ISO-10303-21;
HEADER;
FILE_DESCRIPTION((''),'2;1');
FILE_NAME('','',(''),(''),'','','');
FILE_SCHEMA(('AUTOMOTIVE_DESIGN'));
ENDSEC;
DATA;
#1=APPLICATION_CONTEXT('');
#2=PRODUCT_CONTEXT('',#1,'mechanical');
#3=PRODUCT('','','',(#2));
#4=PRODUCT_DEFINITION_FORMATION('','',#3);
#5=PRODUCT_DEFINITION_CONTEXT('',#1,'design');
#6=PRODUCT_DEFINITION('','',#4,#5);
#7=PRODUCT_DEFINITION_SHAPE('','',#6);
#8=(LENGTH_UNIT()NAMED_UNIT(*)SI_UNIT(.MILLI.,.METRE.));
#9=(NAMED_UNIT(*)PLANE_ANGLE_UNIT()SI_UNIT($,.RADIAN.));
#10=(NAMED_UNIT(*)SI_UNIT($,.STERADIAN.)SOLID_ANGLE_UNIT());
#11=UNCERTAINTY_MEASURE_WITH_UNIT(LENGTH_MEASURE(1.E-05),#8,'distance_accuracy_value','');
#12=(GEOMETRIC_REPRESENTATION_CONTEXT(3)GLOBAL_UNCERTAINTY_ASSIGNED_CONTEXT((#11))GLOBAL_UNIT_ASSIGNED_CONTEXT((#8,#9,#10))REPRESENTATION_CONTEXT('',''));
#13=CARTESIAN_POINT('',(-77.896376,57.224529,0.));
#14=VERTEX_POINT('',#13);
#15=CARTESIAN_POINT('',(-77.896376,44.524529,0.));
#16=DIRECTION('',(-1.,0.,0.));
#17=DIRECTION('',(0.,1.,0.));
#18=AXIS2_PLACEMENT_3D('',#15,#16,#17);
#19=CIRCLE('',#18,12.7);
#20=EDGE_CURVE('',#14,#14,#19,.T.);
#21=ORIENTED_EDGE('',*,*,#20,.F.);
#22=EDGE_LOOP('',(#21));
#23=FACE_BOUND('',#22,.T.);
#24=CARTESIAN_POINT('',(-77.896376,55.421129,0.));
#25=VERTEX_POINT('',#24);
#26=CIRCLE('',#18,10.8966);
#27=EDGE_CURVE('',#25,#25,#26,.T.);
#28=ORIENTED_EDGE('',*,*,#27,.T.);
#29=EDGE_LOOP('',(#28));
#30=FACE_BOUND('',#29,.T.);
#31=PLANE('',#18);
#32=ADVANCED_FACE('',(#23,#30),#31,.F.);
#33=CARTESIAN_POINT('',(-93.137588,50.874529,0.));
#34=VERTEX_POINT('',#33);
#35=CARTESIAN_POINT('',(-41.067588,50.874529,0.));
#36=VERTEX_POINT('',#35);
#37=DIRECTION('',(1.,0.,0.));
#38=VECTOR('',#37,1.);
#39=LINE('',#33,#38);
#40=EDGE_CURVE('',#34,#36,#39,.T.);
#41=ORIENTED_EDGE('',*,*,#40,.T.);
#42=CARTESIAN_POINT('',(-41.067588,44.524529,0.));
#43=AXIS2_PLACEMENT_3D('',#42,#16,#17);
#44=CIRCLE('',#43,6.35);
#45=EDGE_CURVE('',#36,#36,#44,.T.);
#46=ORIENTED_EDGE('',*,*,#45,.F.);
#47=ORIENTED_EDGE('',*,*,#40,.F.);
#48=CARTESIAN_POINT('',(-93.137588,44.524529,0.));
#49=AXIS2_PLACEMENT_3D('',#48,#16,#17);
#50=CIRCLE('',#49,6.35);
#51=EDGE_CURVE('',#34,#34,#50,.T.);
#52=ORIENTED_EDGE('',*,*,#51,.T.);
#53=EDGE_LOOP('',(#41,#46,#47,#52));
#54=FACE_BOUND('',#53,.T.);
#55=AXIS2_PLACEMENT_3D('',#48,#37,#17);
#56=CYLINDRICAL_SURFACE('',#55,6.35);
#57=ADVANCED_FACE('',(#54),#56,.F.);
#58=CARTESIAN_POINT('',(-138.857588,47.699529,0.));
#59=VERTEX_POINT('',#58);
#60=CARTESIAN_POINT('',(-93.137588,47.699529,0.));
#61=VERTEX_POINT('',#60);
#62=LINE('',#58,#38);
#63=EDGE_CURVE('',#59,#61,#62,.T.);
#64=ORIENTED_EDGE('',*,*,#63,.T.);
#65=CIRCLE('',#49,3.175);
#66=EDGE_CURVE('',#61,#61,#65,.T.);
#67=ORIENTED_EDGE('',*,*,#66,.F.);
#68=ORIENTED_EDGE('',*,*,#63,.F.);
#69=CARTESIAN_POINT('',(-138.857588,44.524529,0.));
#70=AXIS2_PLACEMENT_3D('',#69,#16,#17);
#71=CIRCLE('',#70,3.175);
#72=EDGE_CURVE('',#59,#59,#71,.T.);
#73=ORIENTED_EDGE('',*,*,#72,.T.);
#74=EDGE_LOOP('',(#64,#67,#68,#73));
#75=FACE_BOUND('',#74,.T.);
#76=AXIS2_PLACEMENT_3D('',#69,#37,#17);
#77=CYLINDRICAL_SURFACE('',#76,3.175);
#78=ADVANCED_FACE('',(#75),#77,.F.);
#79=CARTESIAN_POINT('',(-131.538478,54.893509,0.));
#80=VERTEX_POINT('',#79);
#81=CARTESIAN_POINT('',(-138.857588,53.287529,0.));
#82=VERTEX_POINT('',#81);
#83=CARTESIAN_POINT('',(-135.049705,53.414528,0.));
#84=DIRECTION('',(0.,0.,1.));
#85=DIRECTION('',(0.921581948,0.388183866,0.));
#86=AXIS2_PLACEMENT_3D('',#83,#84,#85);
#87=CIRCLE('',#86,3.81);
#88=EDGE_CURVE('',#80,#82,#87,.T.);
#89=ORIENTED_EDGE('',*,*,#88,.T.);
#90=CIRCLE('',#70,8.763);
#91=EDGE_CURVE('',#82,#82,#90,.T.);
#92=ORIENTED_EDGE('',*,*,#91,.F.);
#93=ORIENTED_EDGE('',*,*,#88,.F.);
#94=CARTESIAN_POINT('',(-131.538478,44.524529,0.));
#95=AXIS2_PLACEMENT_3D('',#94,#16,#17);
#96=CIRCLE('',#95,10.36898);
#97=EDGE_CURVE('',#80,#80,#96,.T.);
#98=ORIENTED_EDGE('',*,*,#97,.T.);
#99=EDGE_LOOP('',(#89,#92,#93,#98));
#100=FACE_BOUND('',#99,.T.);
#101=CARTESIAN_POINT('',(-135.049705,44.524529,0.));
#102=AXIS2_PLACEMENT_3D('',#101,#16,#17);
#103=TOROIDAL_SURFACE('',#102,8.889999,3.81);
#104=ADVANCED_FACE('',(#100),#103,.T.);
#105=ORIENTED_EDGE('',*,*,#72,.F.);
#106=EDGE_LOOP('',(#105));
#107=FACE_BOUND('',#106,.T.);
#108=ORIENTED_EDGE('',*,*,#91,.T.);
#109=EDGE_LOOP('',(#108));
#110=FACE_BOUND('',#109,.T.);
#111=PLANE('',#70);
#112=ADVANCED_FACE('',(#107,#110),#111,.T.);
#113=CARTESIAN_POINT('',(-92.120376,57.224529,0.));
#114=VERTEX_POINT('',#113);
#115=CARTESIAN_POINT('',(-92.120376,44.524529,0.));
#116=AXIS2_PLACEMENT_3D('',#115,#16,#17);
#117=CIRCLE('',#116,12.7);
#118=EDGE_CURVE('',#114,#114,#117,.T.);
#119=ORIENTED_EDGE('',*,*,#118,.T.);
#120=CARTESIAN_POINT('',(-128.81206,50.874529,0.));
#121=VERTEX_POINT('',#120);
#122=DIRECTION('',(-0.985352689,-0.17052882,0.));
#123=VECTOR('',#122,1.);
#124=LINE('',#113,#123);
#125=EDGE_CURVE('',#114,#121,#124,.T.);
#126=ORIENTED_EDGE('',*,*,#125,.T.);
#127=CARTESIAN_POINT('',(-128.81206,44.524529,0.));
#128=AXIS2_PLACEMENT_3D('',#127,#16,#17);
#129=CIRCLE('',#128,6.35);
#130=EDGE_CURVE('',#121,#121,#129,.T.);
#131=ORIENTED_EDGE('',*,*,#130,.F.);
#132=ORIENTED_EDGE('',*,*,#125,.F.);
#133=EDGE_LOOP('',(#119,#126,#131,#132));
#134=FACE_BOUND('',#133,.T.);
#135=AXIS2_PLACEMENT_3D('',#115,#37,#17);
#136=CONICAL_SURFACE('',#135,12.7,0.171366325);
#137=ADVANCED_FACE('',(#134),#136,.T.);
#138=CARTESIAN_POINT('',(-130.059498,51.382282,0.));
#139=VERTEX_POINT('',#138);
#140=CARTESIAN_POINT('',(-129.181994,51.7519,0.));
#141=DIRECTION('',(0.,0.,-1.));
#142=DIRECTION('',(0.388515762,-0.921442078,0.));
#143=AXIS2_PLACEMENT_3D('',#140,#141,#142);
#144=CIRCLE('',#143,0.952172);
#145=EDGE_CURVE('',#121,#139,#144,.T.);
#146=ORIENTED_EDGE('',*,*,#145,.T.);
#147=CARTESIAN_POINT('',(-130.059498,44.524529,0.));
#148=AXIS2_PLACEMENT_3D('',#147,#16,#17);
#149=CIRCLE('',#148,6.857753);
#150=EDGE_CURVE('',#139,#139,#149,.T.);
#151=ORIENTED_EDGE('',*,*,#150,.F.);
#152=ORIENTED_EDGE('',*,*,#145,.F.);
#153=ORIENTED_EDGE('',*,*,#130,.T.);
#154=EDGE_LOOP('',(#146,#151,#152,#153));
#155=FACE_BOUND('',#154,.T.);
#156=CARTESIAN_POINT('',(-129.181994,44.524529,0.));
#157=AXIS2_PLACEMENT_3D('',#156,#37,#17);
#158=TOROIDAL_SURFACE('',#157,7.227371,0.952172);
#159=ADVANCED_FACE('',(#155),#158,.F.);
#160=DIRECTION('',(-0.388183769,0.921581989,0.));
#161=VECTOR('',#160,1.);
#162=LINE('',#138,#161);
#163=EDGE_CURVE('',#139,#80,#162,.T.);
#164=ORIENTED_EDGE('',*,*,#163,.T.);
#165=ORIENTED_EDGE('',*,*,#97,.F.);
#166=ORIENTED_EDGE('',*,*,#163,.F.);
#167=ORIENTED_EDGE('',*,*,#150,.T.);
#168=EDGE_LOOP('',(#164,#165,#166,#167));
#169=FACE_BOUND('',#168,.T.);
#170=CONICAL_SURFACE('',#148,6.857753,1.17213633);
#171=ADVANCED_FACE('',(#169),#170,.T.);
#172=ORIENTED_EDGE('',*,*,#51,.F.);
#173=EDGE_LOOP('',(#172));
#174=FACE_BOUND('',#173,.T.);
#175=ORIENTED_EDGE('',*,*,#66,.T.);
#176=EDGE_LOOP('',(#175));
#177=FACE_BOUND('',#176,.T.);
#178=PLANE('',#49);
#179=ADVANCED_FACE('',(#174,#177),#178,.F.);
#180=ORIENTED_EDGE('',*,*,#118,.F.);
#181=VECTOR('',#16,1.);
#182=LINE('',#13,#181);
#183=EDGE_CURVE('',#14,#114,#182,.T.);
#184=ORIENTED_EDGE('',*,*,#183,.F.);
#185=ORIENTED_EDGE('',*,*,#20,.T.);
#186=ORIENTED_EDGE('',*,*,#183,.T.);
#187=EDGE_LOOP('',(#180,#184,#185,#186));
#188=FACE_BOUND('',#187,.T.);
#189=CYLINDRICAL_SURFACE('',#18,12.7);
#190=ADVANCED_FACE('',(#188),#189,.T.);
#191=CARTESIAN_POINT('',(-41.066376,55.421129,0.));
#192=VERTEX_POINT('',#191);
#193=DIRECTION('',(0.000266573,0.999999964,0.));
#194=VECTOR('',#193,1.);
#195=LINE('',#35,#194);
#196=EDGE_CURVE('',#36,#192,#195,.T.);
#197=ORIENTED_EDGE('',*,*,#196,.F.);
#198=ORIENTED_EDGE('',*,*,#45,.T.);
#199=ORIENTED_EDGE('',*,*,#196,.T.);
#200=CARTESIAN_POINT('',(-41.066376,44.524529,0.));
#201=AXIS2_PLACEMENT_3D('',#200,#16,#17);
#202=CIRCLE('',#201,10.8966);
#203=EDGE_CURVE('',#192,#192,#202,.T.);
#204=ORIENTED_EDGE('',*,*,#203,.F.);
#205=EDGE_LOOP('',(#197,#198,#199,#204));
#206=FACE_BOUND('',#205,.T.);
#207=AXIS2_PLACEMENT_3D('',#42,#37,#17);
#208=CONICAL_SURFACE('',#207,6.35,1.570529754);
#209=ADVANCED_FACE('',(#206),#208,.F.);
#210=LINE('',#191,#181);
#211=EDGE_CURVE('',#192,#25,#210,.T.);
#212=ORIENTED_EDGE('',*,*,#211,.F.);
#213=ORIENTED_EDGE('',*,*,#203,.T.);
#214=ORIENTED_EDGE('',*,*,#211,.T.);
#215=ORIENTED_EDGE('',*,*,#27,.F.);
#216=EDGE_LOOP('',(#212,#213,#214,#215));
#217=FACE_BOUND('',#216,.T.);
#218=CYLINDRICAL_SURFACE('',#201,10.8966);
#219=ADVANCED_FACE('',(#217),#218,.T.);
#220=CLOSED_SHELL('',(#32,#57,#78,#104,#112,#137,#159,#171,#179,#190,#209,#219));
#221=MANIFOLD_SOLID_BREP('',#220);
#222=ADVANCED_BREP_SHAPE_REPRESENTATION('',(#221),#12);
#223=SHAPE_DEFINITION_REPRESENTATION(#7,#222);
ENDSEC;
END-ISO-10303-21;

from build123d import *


with BuildPart() as f1:
    # F0 (on Top) → F1 (revolve)
    with BuildSketch(Plane.XY):
        with BuildLine():
            Line((-93.137588, 47.699529), (-93.137588, 50.874529))
            Line((-93.137588, 50.874529), (-41.067588, 50.874529))
            Line((-41.067588, 50.874529), (-41.066376, 55.421129))
            Line((-41.066376, 55.421129), (-77.896376, 55.421129))
            Line((-77.896376, 55.421129), (-77.896376, 57.224529))
            Line((-77.896376, 57.224529), (-92.120376, 57.224529))
            Line((-92.120376, 57.224529), (-128.81206, 50.874529))
            ThreePointArc((-128.81206, 50.874529), (-129.540965, 50.869987), (-130.059498, 51.382282))
            Line((-130.059498, 51.382282), (-131.538478, 54.893509))
            ThreePointArc((-131.538478, 54.893509), (-135.86628, 57.135994), (-138.857588, 53.287529))
            Line((-138.857588, 53.287529), (-138.857588, 47.699529))
            Line((-138.857588, 47.699529), (-126.840025, 47.699529))
            Line((-126.840025, 47.699529), (-93.137588, 47.699529))
        make_face()
    revolve(axis=Axis((-82.501546, 44.524529, 0), (-1, 0, 0)))


solid = f1.part
